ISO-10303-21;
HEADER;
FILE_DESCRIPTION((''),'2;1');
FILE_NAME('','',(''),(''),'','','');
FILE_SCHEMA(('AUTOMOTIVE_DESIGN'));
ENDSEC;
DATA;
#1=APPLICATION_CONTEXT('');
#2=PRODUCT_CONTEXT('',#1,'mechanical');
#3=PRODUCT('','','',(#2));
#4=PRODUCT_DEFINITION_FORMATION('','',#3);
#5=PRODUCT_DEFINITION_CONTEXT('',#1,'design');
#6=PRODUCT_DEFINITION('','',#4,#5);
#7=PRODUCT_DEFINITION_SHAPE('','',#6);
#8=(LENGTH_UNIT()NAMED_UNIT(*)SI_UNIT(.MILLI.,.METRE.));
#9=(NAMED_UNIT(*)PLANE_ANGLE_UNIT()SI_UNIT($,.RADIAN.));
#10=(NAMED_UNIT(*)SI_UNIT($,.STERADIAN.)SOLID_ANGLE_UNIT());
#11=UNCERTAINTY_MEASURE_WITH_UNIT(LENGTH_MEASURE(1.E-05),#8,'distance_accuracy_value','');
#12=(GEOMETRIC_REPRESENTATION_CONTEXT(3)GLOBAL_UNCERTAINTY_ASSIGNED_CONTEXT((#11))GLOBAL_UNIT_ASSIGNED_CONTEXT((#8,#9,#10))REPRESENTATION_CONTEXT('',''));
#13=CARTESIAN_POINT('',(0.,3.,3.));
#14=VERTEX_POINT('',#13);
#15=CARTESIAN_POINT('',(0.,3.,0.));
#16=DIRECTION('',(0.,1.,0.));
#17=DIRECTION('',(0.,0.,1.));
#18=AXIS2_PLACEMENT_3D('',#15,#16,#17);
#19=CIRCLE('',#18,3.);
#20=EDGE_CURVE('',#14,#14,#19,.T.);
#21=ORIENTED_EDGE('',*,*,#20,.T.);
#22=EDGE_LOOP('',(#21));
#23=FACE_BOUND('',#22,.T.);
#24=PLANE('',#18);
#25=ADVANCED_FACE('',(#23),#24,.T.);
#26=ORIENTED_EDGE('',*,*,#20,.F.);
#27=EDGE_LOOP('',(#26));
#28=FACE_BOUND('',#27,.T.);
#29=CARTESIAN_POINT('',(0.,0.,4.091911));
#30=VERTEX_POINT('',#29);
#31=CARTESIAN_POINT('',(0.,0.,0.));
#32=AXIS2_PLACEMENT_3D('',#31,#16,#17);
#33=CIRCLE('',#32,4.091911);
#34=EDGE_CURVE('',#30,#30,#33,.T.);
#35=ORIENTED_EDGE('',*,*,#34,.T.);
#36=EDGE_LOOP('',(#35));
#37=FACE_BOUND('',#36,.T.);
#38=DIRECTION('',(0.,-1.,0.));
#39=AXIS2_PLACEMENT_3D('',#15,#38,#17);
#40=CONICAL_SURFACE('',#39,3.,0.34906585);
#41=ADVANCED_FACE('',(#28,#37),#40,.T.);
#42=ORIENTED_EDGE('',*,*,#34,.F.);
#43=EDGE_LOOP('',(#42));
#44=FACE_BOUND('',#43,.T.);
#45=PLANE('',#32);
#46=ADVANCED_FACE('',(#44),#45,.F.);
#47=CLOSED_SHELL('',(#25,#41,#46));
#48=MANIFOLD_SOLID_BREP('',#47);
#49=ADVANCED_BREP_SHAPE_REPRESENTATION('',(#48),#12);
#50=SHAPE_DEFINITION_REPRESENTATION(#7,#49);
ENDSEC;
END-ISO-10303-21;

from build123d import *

# Parameters (mm, degrees)
SKETCH1_R           = 3
BOSS_EXTRUDE1_DEPTH = 3
DRAFT2_ANGLE        = 1
DRAFT3_ANGLE        = 20


with BuildPart() as part:
    # Sketch1 → Boss-Extrude1 (new body)
    with BuildSketch(Plane(origin=(0, 0, 0), x_dir=(1, 0, 0), z_dir=(0, 1, 0))):
        Circle(SKETCH1_R)
    extrude(amount=BOSS_EXTRUDE1_DEPTH)

    # Draft2
    draft2_faces = [part.faces().sort_by_distance(p)[0] for p in [
        (-3, 1.5, 0),
    ]]
    draft(draft2_faces, Plane.ZX.offset(3), DRAFT2_ANGLE)

    # Draft3
    draft3_faces = [part.faces().sort_by_distance(p)[0] for p in [
        (-3.026182597, 1.5, 0),
    ]]
    draft(draft3_faces, Plane.ZX.offset(3), DRAFT3_ANGLE)


solid = part.part
